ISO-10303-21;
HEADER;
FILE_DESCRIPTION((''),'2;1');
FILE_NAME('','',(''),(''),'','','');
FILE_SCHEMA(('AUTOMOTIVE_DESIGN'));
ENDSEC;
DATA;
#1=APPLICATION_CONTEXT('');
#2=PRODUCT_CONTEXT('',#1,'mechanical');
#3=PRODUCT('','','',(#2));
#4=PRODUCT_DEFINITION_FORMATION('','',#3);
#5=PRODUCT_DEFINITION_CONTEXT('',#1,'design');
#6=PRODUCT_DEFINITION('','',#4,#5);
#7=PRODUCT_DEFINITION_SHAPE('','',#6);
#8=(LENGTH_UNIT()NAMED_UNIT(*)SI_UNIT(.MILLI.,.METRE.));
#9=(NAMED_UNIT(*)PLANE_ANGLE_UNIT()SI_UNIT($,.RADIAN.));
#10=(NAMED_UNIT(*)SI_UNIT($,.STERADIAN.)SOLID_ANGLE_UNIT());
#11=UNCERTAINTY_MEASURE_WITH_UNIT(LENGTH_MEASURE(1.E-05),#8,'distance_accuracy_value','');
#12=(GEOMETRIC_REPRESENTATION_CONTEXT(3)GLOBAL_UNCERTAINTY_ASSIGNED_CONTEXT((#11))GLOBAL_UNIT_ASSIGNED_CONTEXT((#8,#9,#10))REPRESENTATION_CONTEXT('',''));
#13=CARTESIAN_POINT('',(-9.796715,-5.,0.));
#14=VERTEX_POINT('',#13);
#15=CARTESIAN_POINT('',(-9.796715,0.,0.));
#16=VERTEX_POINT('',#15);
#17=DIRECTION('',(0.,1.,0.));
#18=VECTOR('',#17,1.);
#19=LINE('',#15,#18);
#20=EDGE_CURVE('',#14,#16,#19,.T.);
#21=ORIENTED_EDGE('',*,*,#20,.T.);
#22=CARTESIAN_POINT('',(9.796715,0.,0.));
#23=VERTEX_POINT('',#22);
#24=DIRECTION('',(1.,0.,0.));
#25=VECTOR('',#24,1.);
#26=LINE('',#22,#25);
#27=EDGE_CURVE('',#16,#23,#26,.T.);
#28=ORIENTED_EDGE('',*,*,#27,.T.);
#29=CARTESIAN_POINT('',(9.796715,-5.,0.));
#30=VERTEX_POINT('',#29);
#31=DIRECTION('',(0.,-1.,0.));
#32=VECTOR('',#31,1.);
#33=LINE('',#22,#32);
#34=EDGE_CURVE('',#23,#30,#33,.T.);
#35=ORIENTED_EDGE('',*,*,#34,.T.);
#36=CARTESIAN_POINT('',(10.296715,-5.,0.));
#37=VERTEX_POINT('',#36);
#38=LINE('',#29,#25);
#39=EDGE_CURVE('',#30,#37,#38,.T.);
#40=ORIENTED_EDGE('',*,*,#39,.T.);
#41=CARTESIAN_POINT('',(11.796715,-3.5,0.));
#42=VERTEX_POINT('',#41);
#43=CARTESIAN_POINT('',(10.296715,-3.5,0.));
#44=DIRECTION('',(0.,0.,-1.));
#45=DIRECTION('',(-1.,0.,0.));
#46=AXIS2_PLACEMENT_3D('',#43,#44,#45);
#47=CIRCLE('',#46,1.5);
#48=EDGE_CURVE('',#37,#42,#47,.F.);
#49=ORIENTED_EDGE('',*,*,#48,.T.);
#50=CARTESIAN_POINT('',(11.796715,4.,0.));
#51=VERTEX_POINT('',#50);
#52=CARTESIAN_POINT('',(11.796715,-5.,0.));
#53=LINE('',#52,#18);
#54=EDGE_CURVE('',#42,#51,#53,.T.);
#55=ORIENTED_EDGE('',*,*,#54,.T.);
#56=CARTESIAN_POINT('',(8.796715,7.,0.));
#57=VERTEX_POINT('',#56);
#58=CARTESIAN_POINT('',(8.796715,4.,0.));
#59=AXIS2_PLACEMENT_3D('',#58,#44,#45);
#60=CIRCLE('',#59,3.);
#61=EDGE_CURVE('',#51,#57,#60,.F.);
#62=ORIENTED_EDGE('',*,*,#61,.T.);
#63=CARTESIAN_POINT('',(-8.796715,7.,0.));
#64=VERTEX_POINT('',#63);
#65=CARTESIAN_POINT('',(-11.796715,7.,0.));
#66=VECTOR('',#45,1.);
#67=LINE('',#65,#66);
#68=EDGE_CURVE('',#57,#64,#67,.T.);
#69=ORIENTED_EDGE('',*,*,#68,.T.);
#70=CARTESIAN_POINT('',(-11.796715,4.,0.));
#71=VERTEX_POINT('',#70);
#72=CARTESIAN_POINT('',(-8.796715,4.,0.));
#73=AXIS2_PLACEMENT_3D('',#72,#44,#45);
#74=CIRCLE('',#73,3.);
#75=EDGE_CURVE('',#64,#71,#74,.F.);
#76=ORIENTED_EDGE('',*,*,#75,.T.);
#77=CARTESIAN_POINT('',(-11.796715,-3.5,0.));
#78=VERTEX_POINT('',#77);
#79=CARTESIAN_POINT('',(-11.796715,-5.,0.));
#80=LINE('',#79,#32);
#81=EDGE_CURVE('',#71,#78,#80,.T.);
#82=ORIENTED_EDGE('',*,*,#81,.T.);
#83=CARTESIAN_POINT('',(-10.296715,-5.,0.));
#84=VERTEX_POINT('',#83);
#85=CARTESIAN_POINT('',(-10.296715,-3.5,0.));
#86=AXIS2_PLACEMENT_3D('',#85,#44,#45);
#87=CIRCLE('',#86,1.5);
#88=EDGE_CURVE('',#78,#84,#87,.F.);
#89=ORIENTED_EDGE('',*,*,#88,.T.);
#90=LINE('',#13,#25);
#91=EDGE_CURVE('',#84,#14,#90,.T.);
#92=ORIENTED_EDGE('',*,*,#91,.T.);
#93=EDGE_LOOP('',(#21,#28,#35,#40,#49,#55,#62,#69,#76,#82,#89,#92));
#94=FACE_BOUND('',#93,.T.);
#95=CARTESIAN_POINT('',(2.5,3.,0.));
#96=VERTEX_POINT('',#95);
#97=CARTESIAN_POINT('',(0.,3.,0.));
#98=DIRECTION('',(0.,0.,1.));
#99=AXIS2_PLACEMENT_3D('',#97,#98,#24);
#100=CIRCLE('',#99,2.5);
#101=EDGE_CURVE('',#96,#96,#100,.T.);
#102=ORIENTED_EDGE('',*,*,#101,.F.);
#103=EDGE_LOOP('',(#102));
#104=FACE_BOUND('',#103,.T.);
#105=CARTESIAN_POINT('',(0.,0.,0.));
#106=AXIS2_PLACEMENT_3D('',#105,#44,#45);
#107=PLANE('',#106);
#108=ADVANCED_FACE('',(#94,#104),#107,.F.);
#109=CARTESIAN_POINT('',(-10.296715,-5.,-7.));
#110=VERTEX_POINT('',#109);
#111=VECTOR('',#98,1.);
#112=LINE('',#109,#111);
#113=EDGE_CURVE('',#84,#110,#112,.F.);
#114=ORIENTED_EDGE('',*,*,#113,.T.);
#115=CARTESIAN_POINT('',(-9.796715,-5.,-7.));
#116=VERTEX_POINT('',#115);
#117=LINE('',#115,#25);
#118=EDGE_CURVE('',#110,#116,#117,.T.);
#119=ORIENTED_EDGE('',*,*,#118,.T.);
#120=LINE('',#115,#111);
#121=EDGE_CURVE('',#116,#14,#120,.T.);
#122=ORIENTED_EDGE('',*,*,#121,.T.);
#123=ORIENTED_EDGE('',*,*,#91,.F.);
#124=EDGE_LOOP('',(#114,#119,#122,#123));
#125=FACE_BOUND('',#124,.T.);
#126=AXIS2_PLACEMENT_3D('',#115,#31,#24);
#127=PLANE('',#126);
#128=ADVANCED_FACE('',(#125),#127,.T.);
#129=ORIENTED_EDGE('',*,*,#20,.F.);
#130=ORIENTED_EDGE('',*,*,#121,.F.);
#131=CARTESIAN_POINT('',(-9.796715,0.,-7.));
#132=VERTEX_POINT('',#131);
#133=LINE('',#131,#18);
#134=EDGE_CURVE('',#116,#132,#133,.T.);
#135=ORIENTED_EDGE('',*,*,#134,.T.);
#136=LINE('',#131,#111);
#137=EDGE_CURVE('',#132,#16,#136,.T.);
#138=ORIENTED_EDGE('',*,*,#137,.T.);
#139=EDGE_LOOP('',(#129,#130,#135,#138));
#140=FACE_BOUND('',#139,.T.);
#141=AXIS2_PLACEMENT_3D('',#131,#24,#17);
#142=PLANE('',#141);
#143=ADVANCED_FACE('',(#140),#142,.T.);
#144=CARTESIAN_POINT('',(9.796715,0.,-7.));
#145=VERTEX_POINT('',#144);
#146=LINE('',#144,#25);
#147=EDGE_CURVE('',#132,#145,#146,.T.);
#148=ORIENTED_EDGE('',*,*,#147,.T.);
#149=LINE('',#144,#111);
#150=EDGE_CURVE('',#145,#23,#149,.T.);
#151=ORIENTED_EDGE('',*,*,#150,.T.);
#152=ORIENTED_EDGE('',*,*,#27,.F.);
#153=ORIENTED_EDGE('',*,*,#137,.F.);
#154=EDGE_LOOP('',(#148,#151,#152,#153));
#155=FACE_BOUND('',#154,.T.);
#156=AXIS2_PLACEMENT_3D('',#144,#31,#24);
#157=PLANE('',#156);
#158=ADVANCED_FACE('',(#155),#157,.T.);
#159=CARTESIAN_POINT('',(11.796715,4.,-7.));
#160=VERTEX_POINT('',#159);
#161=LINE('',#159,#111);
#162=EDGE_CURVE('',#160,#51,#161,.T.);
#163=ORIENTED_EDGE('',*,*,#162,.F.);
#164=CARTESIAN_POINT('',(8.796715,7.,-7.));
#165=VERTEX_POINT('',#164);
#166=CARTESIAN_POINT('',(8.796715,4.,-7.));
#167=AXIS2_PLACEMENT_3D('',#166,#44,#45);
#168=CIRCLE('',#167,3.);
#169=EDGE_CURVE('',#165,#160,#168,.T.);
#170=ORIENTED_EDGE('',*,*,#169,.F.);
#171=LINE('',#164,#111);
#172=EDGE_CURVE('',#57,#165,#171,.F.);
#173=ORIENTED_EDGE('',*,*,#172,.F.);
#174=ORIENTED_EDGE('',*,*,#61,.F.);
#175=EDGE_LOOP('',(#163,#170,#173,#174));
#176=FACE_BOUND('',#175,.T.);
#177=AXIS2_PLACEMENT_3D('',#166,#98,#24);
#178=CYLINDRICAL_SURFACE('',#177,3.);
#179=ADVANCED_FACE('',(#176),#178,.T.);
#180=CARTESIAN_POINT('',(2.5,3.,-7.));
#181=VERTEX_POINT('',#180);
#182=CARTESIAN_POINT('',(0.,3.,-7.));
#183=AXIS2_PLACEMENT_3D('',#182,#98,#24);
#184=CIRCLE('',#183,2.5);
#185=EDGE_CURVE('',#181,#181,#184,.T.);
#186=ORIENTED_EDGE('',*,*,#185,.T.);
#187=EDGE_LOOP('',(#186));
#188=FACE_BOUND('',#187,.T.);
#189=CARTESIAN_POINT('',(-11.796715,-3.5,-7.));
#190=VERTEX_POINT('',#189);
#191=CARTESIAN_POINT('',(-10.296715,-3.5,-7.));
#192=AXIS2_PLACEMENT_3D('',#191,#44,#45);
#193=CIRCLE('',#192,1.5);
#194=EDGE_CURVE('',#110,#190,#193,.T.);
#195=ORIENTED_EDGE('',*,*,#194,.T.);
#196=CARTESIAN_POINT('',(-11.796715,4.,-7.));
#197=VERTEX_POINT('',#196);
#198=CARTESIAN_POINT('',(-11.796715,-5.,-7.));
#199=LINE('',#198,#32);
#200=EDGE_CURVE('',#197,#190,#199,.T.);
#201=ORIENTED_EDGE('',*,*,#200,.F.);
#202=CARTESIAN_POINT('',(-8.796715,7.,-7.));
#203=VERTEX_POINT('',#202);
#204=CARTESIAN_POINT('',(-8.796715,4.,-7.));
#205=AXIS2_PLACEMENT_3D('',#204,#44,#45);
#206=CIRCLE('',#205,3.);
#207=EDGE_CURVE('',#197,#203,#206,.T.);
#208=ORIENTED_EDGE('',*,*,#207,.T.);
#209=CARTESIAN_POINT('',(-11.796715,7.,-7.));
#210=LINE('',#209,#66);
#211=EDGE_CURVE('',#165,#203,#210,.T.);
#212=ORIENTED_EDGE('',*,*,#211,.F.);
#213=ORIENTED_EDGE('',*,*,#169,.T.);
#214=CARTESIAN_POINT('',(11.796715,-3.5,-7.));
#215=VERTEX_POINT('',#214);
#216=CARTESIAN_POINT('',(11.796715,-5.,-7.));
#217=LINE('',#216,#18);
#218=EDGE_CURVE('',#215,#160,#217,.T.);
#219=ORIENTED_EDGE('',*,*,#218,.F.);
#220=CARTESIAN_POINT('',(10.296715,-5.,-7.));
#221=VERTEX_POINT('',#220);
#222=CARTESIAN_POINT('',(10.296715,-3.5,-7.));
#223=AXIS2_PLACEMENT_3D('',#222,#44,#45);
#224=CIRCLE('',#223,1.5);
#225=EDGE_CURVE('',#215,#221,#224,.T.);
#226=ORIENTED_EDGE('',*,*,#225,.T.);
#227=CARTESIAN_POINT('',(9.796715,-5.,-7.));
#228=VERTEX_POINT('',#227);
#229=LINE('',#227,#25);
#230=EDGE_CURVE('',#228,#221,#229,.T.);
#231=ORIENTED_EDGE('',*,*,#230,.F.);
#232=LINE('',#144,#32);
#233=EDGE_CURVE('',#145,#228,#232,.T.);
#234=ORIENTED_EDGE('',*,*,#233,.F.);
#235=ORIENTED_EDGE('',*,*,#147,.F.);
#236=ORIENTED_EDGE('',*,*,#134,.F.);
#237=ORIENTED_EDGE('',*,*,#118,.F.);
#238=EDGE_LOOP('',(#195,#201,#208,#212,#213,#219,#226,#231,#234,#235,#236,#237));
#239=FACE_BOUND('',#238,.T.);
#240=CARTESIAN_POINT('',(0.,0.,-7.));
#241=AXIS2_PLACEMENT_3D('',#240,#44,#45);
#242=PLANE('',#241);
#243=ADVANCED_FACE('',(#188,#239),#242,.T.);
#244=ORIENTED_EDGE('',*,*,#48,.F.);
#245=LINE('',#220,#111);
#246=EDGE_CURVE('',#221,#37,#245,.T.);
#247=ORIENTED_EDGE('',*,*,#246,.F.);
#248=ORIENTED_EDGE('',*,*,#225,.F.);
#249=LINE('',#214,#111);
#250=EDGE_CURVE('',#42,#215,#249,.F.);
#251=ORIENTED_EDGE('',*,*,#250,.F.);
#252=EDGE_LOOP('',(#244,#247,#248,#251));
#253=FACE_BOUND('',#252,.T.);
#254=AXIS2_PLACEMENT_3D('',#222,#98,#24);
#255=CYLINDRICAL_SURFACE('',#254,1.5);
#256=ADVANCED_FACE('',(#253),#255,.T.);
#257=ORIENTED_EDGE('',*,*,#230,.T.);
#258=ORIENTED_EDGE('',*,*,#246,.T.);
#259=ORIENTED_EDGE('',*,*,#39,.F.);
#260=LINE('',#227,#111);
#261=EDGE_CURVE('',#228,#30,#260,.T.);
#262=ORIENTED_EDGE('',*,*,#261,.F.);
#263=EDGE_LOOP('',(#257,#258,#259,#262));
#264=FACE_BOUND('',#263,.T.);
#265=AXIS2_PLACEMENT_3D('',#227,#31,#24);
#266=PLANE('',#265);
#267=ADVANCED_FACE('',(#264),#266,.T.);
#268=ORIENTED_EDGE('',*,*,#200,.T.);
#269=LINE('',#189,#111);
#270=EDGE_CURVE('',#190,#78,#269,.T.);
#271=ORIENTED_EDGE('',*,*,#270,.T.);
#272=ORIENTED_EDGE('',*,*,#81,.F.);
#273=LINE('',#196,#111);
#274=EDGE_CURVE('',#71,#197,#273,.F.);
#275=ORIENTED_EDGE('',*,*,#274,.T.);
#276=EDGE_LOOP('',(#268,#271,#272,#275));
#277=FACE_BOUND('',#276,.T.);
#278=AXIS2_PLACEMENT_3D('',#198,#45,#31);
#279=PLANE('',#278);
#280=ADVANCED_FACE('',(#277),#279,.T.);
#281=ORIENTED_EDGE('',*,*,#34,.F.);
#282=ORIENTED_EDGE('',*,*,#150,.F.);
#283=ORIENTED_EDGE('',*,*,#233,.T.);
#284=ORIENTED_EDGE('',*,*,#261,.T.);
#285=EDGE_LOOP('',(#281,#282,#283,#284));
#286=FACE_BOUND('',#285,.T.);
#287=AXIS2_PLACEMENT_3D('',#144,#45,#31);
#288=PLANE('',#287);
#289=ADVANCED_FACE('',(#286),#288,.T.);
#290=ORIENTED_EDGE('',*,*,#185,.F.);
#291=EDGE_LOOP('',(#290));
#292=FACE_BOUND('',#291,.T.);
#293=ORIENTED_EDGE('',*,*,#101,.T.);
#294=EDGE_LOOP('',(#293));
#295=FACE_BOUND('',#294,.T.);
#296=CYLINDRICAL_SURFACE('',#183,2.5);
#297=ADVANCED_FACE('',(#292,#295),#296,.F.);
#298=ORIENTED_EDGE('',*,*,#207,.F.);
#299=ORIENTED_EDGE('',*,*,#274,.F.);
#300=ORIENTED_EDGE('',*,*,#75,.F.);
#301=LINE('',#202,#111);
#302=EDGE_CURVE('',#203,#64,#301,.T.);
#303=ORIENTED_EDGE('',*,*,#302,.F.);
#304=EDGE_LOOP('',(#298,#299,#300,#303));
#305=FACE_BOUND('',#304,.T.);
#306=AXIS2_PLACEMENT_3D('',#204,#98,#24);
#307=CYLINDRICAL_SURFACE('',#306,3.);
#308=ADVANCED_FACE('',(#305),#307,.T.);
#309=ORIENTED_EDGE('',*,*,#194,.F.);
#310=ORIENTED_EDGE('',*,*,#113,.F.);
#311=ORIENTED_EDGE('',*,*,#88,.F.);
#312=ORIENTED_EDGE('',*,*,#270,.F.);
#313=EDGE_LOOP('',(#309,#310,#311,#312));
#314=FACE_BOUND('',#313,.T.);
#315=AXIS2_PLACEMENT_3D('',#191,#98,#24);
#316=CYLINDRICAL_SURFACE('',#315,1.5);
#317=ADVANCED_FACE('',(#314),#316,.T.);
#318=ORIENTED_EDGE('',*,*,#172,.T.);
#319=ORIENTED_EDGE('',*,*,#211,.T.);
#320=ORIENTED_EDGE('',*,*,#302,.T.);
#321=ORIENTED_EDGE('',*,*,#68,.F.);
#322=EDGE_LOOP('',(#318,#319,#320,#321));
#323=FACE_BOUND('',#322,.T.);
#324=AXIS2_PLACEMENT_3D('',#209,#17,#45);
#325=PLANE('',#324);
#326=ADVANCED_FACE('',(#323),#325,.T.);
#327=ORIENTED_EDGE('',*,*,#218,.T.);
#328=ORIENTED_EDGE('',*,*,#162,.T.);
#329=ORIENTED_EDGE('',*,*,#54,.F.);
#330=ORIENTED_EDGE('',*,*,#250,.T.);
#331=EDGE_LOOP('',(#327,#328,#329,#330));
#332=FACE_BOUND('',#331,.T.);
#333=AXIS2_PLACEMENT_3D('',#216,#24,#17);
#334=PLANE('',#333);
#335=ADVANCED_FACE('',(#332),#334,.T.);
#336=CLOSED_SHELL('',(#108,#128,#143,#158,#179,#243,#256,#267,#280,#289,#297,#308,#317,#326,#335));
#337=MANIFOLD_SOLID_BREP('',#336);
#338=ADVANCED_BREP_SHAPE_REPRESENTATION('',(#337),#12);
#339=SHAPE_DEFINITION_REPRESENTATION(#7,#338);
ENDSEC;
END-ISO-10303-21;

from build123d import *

# Parameters (mm, degrees)
BOSS_EXTRUDE1_DEPTH = 7
SKETCH5_R           = 2.5
CUT_EXTRUDE2_DEPTH  = 16.400080851
FILLET1_R           = 3
FILLET2_R           = 3
FILLET3_R           = 1.5
FILLET4_R           = 1.5


with BuildPart() as part:
    # Sketch1 → Boss-Extrude1 (new body)
    with BuildSketch(Plane.XY):
        Polygon((9.79671523, 0), (-9.79671523, 0), (-9.79671523, -5), (-11.79671523, -5), (-11.79671523, 7), (11.79671523, 7), (11.79671523, -5), (9.79671523, -5), align=None)
    extrude(amount=-BOSS_EXTRUDE1_DEPTH)

    # Sketch5 → Cut-Extrude2 (cut, through all)
    with BuildSketch(Plane.XY):
        with Locations((0, 3)):
            Circle(SKETCH5_R)
    extrude(amount=-CUT_EXTRUDE2_DEPTH, mode=Mode.SUBTRACT)

    # Fillet1
    fillet1_edges = [part.edges().sort_by_distance(p)[0] for p in [
        (11.79671523, 7, -3.5),
    ]]
    fillet(fillet1_edges, radius=FILLET1_R)

    # Fillet2
    fillet2_edges = [part.edges().sort_by_distance(p)[0] for p in [
        (-11.79671523, 7, -3.5),
    ]]
    fillet(fillet2_edges, radius=FILLET2_R)

    # Fillet3
    fillet3_edges = [part.edges().sort_by_distance(p)[0] for p in [
        (11.79671523, -5, -3.5),
    ]]
    fillet(fillet3_edges, radius=FILLET3_R)

    # Fillet4
    fillet4_edges = [part.edges().sort_by_distance(p)[0] for p in [
        (-11.79671523, -5, -3.5),
    ]]
    fillet(fillet4_edges, radius=FILLET4_R)


solid = part.part
